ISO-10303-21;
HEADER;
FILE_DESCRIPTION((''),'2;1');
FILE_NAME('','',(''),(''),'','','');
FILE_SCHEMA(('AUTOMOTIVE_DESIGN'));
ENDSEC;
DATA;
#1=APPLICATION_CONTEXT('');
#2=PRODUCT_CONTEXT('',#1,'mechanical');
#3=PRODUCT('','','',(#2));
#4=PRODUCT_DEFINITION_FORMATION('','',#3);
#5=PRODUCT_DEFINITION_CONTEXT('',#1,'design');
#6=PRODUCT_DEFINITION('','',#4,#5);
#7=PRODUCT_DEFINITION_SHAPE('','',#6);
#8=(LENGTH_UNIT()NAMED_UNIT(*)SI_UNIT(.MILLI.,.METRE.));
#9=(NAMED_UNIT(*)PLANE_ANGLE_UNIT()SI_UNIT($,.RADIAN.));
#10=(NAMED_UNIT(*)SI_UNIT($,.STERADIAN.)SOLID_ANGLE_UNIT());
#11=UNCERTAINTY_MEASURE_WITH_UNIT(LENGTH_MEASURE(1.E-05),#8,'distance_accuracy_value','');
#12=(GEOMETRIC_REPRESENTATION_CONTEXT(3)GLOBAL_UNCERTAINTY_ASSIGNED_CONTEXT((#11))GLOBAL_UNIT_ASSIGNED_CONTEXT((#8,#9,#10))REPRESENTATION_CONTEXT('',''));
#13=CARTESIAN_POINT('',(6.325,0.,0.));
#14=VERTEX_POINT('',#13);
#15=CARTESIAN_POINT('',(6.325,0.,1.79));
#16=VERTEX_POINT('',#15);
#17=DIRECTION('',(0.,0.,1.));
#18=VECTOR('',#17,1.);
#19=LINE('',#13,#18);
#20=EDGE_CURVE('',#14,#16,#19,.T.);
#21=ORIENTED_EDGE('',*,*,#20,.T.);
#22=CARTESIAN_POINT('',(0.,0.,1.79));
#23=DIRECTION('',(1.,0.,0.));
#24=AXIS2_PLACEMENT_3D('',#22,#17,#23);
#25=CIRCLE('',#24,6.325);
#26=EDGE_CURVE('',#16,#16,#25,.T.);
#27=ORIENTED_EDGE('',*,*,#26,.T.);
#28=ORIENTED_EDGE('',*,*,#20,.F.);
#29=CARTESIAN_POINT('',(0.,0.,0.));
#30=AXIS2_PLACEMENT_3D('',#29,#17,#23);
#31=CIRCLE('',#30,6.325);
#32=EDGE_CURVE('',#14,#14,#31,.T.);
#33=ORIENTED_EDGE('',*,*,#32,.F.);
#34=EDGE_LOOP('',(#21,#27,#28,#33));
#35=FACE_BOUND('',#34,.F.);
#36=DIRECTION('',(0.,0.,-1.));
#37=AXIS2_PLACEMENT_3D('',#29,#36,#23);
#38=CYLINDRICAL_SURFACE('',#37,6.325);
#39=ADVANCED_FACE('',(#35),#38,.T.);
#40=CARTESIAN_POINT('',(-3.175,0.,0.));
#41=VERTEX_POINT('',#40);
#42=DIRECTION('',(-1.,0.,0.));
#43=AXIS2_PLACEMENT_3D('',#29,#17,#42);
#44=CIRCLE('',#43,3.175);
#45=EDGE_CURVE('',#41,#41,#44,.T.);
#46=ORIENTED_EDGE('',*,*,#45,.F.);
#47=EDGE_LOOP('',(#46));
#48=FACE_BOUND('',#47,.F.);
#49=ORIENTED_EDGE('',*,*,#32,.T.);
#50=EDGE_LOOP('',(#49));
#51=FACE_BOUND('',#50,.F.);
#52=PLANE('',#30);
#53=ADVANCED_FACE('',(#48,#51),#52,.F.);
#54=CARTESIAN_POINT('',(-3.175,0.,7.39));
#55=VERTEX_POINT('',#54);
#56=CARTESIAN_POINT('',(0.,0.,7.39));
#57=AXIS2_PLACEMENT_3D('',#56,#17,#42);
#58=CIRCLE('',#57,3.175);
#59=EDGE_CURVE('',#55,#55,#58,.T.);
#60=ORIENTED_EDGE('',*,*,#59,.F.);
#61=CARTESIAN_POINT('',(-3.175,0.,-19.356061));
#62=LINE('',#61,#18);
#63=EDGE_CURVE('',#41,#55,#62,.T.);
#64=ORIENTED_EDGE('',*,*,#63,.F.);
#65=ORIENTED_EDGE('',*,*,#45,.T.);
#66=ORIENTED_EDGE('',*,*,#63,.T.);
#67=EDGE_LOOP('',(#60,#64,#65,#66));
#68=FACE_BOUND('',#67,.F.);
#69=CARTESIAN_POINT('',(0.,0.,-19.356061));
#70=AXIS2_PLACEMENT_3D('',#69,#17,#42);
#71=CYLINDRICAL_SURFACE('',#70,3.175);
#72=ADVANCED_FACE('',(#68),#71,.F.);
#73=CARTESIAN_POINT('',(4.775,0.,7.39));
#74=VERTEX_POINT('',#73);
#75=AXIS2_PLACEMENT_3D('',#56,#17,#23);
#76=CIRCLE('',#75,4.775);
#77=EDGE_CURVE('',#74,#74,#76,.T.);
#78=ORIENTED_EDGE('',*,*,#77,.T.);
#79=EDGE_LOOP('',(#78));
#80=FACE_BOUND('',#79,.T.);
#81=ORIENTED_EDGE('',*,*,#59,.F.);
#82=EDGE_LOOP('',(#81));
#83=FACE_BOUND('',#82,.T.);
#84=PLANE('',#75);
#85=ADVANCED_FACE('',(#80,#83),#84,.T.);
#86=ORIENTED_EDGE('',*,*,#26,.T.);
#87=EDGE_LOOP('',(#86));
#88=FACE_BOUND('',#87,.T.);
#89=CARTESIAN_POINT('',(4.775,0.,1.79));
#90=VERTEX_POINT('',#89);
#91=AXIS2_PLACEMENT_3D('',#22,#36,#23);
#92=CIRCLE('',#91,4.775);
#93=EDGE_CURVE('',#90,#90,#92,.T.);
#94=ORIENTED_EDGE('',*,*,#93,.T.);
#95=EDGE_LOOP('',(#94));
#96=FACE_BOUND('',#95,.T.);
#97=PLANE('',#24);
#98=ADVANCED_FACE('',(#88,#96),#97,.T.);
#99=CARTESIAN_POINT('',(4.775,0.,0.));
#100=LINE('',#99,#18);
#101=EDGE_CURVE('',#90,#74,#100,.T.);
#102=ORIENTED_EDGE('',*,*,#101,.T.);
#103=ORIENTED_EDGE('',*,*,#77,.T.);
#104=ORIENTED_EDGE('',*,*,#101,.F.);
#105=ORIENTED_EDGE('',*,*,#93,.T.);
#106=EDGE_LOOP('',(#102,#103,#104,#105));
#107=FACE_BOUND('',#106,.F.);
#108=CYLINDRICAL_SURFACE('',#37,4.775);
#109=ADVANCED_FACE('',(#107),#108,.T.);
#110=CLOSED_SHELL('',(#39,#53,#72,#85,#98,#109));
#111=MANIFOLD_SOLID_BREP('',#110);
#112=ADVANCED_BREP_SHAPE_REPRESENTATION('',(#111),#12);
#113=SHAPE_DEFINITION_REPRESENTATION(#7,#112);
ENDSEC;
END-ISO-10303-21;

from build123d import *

# Parameters (mm, degrees)
F0_R     = 6.325
F2_DEPTH = 1.79
F1_R     = 4.775
F3_DEPTH = 7.39
F5_D     = 6.35


with BuildPart() as f2:
    # F0 (on Top) → F2 (new body)
    with BuildSketch(Plane.XY):
        Circle(F0_R)
    extrude(amount=F2_DEPTH)

    # F1 (on Top) → F3 (join)
    with BuildSketch(Plane.XY):
        Circle(F1_R)
    extrude(amount=F3_DEPTH)

    # F5 (through all)
    with Locations(Plane(origin=(0, 0, 0), x_dir=(1, 0, 0), z_dir=(0, 0, -1))):
        with Locations((0, 0)):
            Hole(F5_D / 2)


solid = f2.part
